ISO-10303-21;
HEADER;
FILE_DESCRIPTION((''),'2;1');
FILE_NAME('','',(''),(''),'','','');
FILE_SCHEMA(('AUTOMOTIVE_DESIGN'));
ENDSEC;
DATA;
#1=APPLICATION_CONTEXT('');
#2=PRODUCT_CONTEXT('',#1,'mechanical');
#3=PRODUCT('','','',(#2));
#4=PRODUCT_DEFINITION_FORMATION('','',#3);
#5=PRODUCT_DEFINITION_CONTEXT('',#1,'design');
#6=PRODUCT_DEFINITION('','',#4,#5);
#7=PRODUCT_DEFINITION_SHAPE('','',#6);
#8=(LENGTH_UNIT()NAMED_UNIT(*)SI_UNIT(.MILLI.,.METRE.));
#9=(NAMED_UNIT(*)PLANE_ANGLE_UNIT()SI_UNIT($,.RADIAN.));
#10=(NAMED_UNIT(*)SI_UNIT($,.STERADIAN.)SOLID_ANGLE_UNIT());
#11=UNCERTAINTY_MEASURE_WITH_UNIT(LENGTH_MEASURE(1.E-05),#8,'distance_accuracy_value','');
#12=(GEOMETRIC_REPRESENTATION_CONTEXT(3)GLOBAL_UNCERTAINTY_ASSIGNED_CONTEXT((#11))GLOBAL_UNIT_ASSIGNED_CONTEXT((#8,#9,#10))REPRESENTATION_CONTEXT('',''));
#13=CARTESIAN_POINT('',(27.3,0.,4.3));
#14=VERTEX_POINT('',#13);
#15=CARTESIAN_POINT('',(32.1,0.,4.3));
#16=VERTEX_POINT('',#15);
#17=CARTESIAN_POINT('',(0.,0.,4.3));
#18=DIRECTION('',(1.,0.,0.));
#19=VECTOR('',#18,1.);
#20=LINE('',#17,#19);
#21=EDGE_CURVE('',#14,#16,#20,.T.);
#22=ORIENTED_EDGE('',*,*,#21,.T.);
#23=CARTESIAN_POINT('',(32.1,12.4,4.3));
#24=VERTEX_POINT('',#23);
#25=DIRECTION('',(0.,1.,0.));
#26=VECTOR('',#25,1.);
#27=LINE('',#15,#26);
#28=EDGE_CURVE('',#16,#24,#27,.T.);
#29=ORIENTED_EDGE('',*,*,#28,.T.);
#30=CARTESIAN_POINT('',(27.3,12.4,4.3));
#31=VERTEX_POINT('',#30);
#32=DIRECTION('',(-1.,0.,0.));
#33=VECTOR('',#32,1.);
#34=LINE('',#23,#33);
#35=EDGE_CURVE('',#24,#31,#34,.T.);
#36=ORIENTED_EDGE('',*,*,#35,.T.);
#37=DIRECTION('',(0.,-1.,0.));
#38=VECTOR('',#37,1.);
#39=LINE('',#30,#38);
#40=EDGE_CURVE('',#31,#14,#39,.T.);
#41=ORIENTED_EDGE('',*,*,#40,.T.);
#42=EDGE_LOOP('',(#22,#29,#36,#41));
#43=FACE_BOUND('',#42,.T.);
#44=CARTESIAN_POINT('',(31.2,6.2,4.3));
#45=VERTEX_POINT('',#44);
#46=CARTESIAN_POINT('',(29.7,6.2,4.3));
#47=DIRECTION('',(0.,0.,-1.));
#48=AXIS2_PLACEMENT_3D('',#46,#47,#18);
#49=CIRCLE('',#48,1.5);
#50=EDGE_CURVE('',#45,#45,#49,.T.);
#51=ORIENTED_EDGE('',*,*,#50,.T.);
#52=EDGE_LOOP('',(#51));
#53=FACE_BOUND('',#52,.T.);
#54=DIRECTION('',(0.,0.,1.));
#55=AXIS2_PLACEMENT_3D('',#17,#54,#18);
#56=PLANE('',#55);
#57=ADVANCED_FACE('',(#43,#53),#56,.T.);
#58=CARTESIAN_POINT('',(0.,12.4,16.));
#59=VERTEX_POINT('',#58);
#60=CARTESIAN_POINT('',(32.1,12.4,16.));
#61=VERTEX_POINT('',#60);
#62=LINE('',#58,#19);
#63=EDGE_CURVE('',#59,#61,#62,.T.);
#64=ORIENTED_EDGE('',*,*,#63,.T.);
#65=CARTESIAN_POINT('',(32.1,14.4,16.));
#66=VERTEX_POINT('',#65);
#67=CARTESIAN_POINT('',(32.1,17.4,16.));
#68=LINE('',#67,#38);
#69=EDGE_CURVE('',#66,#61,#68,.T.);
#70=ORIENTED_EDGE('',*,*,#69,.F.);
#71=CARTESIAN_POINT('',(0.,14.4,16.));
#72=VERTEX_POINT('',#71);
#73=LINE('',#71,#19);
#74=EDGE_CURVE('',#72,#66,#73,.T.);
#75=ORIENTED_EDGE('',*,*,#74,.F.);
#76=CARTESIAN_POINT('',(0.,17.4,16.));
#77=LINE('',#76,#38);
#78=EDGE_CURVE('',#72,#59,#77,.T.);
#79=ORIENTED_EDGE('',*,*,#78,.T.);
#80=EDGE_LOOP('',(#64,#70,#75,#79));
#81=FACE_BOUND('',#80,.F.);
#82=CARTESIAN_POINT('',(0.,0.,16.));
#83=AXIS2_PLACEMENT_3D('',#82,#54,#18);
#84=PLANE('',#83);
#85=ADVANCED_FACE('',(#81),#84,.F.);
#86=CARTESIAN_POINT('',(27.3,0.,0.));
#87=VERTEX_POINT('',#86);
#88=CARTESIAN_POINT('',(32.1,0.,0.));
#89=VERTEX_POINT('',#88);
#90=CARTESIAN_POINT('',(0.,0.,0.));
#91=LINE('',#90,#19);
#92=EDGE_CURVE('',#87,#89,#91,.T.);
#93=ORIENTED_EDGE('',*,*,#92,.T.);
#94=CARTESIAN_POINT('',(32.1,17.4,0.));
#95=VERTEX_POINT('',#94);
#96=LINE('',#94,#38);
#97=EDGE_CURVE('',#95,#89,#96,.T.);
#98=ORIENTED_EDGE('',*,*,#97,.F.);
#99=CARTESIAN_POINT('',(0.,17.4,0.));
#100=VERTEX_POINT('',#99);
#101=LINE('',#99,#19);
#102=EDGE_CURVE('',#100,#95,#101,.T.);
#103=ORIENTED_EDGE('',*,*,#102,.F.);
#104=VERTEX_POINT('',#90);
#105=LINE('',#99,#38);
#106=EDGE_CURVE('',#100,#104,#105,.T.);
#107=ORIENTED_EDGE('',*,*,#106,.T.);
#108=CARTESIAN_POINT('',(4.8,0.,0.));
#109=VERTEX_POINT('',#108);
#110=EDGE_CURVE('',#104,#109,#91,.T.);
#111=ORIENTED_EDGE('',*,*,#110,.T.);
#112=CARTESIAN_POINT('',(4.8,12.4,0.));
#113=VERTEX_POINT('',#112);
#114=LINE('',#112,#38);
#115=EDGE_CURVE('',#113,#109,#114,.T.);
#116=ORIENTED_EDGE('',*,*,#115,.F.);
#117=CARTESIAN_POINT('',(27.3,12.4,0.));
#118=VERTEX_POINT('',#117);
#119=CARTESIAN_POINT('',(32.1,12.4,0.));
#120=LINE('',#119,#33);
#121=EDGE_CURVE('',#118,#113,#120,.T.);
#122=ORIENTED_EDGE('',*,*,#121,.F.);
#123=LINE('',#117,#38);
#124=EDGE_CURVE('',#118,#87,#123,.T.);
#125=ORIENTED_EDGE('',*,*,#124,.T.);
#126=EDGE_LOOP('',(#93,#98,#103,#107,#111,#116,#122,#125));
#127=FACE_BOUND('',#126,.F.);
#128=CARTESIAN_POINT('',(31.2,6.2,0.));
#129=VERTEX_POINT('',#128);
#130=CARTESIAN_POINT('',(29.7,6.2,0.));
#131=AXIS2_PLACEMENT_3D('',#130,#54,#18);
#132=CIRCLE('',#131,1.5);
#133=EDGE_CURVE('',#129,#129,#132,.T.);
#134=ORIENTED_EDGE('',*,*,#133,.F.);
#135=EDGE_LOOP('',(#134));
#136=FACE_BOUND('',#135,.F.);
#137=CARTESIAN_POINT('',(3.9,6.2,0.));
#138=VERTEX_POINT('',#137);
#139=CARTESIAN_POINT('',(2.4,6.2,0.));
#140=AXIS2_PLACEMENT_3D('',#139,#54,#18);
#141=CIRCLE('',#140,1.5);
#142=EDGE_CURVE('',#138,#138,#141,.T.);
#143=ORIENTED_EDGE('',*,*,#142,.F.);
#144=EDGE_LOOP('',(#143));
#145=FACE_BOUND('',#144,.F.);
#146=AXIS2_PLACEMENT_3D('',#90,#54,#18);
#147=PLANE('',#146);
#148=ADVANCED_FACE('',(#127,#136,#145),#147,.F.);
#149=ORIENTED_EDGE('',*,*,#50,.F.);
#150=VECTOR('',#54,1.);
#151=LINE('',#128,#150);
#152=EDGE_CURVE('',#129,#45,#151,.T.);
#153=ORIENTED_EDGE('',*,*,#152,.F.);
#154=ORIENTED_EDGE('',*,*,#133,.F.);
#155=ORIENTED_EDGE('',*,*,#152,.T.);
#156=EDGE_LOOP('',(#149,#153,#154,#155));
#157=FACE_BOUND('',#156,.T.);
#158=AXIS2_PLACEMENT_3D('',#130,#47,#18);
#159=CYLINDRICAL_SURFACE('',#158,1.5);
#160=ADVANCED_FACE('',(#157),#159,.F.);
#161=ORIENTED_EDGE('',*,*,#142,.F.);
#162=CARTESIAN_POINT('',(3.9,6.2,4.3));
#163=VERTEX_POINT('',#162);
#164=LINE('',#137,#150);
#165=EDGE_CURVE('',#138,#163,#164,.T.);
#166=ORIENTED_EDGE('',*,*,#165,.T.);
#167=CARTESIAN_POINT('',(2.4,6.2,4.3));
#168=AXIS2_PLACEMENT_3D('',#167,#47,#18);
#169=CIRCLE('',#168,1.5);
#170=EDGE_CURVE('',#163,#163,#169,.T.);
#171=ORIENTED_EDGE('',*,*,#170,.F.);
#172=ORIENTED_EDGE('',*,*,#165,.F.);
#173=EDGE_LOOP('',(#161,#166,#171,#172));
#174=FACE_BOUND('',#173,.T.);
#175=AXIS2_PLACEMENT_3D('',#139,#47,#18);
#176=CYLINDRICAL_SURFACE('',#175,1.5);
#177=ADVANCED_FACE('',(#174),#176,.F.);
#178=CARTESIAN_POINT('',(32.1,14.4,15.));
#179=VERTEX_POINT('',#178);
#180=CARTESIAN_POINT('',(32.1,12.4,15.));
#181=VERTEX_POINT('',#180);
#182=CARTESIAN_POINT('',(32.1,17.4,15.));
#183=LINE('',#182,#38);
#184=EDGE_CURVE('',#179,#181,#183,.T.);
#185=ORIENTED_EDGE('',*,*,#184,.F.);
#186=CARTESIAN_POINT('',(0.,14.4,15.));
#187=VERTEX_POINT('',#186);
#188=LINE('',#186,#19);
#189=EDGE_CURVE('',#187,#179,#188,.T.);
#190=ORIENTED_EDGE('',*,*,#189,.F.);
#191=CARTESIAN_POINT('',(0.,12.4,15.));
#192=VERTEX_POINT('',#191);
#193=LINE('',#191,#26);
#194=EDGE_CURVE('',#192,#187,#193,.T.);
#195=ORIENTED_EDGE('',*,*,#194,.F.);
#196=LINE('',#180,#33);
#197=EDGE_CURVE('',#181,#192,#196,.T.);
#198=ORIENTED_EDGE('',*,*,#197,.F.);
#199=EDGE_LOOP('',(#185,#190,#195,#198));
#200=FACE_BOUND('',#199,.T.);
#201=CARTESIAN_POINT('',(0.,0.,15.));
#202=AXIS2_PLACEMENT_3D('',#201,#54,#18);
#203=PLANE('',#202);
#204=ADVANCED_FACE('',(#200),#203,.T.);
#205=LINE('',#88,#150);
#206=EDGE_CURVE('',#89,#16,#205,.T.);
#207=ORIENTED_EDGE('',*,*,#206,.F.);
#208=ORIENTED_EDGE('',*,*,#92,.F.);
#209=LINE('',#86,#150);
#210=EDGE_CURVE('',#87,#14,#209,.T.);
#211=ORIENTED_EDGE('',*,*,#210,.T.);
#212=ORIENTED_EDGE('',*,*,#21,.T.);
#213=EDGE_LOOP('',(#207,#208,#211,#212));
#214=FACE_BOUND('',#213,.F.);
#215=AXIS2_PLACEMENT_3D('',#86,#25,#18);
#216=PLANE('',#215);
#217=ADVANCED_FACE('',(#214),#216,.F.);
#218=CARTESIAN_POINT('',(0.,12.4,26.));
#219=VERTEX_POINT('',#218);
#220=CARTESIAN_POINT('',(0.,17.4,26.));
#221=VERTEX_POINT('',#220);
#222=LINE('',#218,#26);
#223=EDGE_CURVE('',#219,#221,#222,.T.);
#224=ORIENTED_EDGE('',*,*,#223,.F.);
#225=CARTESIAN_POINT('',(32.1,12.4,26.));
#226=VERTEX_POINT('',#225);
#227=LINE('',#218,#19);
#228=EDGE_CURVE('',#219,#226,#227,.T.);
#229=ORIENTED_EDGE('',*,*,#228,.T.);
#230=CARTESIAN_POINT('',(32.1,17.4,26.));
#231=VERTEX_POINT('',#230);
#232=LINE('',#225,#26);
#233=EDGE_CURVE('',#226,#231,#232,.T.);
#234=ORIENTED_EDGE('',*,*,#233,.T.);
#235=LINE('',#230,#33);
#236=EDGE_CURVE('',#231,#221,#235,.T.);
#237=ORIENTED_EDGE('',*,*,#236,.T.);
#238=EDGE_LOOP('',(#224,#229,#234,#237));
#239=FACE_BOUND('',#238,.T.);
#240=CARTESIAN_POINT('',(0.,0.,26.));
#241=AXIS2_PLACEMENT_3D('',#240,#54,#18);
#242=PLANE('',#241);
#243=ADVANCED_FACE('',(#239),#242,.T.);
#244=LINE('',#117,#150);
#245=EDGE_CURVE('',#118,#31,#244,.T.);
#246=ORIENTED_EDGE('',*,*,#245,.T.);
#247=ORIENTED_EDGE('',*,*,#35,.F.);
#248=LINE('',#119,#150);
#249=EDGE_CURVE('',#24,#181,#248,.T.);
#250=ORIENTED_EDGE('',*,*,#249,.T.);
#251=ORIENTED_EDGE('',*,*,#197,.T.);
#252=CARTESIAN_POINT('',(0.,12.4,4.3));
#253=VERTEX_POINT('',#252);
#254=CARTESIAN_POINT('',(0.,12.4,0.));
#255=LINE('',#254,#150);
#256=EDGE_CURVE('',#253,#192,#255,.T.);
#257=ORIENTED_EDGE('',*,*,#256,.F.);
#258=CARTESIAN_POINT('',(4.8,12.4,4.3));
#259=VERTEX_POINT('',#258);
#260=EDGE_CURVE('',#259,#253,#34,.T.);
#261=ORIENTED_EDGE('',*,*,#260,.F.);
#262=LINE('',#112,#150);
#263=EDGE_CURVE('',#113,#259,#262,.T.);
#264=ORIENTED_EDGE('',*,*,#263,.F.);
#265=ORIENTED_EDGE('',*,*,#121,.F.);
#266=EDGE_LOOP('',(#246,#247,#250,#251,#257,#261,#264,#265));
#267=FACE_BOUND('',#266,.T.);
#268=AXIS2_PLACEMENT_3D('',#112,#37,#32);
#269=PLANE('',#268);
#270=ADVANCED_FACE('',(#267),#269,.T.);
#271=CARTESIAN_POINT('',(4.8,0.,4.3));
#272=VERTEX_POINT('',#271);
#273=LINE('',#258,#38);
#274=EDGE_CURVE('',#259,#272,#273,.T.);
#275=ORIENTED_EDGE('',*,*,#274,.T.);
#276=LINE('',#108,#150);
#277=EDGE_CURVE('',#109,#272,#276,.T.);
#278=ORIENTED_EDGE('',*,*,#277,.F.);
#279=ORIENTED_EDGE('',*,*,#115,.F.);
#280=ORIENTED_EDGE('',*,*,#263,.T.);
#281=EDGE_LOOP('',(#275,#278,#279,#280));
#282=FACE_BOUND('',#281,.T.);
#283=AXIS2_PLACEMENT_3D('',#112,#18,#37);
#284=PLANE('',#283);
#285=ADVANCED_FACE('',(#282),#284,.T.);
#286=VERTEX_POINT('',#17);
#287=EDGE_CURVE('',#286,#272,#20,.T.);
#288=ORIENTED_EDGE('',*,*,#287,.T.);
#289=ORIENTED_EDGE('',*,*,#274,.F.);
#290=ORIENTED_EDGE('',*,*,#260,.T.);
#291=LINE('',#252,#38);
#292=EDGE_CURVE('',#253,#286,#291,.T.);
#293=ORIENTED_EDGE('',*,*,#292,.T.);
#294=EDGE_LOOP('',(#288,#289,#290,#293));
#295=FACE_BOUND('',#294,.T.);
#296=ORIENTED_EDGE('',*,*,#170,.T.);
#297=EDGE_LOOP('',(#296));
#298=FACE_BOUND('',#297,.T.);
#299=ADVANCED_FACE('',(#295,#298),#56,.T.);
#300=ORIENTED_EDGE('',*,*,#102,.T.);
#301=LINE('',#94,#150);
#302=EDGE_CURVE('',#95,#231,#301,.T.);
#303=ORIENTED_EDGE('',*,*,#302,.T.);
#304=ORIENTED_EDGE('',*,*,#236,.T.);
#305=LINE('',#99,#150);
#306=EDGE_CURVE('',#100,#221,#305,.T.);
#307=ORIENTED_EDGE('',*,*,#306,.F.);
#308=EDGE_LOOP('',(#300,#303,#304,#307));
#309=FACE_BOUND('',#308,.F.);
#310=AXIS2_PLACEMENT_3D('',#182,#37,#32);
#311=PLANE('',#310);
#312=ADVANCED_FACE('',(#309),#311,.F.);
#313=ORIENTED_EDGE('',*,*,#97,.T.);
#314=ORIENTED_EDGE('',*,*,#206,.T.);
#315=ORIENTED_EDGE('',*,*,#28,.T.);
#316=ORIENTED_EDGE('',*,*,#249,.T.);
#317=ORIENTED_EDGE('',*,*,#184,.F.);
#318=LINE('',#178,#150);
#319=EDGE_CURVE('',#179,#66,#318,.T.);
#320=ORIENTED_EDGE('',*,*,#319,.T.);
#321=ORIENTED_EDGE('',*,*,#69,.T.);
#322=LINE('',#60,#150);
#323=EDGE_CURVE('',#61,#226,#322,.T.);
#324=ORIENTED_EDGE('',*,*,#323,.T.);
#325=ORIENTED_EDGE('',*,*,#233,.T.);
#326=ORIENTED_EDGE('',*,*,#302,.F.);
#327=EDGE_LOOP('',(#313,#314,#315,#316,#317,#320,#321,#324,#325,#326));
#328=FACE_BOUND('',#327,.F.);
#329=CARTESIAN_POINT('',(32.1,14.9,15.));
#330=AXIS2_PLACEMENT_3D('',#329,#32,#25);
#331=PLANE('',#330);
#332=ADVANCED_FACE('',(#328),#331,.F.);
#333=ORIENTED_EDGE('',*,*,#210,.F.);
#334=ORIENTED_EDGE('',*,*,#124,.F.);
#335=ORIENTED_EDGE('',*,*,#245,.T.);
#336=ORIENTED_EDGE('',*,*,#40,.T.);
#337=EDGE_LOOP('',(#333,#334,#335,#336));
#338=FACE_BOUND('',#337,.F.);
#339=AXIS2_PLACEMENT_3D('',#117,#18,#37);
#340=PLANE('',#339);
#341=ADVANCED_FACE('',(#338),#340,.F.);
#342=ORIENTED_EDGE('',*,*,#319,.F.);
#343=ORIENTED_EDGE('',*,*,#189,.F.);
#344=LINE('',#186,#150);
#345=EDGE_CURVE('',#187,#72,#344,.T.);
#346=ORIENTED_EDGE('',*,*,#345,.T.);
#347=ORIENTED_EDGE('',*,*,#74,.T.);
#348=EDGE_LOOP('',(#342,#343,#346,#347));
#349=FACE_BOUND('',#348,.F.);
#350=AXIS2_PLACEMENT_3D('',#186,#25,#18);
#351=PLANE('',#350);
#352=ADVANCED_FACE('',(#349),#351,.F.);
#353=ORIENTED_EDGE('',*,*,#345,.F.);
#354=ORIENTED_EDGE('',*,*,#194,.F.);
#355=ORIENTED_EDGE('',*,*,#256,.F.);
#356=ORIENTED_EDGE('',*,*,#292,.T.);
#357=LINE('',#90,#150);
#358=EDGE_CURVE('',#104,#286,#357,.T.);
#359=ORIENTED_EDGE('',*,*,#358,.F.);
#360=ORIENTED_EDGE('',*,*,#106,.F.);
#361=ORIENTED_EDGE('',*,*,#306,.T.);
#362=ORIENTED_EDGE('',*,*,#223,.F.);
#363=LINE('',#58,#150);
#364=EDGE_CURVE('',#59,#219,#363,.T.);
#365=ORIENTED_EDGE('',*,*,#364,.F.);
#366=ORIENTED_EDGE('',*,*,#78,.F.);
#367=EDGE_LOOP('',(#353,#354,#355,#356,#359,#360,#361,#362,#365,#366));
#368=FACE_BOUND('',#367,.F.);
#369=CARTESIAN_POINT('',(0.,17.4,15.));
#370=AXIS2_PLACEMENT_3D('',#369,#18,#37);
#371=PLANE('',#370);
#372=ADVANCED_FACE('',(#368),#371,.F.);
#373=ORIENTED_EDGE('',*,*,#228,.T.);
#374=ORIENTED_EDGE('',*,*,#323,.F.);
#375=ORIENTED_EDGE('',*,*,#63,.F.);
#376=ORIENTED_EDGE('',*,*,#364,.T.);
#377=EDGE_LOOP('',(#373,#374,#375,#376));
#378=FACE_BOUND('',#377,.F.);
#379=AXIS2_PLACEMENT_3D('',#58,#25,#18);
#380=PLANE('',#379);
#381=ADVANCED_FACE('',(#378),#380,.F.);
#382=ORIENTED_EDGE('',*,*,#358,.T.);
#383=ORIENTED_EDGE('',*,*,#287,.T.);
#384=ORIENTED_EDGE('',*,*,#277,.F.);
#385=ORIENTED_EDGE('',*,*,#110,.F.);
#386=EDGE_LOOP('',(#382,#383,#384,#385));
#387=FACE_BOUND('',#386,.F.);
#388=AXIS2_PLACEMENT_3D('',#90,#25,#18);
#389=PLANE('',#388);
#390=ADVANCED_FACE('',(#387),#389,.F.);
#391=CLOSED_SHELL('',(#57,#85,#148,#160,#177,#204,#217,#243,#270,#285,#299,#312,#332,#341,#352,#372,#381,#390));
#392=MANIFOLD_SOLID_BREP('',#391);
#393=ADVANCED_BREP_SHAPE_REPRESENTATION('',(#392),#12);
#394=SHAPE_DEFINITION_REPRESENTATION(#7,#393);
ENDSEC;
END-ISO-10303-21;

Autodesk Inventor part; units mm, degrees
ref_plane "YZ Plane" through (0, 0, 0) normal (1, 0, 0) x (0, 1, 0)
ref_plane "XZ Plane" through (0, 0, 0) normal (0, 1, 0) x (-1, 0, 0)
ref_plane "XY Plane" through (0, 0, 0) normal (0, 0, 1) x (1, 0, 0)
sketch "草圖1" plane through (0, 0, 0) normal (0, 0, 1) x (1, 0, 0)
  line L0 (0, 0) -> (32.1, 0)
  line L1 (32.1, 0) -> (32.1, 12.4)
  line L2 (32.1, 12.4) -> (0, 12.4)
  line L3 (0, 12.4) -> (0, 0)
  line L4 (4.8, 12.4) -> (4.8, 0)
  line L5 (27.3, 12.4) -> (27.3, 0)
  line L6 (32.1, 12.4) -> (0, 12.4)
  line L7 (0, 12.4) -> (0, 17.4)
  line L8 (0, 17.4) -> (32.1, 17.4)
  line L9 (32.1, 17.4) -> (32.1, 12.4)
  circle A0 centre (2.4, 6.2) radius 1.5
  circle A1 centre (29.7, 6.2) radius 1.5
  point P0 (0, 12.4)
  dimension "d0" = 12.4
  dimension "d1" = 32.1
  dimension "d2" = 4.8
  dimension "d3" = 4.8
  dimension "d6" = 5
  dimension "d7" = 32.1
  dimension "d14" = 6.2
  dimension "d15" = 6.2
  dimension "d16" = 2.4
  dimension "d17" = 2.4
  dimension "d18" = 3
  dimension "d19" = 3
extrude "擠出1" add sketch "草圖1" along normal blind 4.3 contours L3 L2 L4 L0 | L5 L2 L1 L0 | A0 | A1
extrude "擠出2" add sketch "草圖1" along normal blind 15 contours L7 L8 L9 L2
sketch "草圖2" plane through (0, 0, 15) normal (0, 0, 1) x (1, 0, 0)
  line L0 (32.1, 17.4) -> (0, 17.4) projected
  line L1 (0, 17.4) -> (0, 12.4) projected
  line L2 (0, 12.4) -> (32.1, 12.4) projected
  line L3 (32.1, 12.4) -> (32.1, 17.4) projected
  line L4 (0, 17.4) -> (32.1, 17.4)
  line L5 (32.1, 17.4) -> (32.1, 14.9)
  line L6 (0, 11.4) -> (0, 17.4)
  line L7 (0, 14.4) -> (32.1, 14.4)
  point P0 (0, 0)
  dimension "d22" = 2
extrude "擠出3" add sketch "草圖2" along normal blind 1 contours L3 L7 L1 L0
sketch "草圖3" plane through (0, 0, 16) normal (0, 0, 1) x (1, 0, 0)
  line L0 (32.1, 14.4) -> (32.1, 17.4) projected
  line L1 (32.1, 17.4) -> (0, 17.4) projected
  line L2 (0, 17.4) -> (0, 14.4) projected
  line L3 (0, 14.4) -> (0, 12.4) projected
  line L4 (0, 12.4) -> (32.1, 12.4) projected
  line L5 (32.1, 12.4) -> (32.1, 14.4) projected
  line L6 (0, 12.4) -> (32.1, 12.4)
  line L7 (32.1, 12.4) -> (32.1, 17.4)
  line L8 (32.1, 17.4) -> (0, 17.4)
  line L9 (0, 17.4) -> (0, 12.4)
  line L10 (32.1, 14.4) -> (0, 14.4) projected
  line L11 (0, 14.4) -> (32.1, 14.4) projected
  point P0 (0, 0)
extrude "擠出4" add sketch "草圖3" along normal blind 10
extrude "擠出5" cut sketch "草圖1" along normal through all contours A0 | A1
properties part number "固定塊"
